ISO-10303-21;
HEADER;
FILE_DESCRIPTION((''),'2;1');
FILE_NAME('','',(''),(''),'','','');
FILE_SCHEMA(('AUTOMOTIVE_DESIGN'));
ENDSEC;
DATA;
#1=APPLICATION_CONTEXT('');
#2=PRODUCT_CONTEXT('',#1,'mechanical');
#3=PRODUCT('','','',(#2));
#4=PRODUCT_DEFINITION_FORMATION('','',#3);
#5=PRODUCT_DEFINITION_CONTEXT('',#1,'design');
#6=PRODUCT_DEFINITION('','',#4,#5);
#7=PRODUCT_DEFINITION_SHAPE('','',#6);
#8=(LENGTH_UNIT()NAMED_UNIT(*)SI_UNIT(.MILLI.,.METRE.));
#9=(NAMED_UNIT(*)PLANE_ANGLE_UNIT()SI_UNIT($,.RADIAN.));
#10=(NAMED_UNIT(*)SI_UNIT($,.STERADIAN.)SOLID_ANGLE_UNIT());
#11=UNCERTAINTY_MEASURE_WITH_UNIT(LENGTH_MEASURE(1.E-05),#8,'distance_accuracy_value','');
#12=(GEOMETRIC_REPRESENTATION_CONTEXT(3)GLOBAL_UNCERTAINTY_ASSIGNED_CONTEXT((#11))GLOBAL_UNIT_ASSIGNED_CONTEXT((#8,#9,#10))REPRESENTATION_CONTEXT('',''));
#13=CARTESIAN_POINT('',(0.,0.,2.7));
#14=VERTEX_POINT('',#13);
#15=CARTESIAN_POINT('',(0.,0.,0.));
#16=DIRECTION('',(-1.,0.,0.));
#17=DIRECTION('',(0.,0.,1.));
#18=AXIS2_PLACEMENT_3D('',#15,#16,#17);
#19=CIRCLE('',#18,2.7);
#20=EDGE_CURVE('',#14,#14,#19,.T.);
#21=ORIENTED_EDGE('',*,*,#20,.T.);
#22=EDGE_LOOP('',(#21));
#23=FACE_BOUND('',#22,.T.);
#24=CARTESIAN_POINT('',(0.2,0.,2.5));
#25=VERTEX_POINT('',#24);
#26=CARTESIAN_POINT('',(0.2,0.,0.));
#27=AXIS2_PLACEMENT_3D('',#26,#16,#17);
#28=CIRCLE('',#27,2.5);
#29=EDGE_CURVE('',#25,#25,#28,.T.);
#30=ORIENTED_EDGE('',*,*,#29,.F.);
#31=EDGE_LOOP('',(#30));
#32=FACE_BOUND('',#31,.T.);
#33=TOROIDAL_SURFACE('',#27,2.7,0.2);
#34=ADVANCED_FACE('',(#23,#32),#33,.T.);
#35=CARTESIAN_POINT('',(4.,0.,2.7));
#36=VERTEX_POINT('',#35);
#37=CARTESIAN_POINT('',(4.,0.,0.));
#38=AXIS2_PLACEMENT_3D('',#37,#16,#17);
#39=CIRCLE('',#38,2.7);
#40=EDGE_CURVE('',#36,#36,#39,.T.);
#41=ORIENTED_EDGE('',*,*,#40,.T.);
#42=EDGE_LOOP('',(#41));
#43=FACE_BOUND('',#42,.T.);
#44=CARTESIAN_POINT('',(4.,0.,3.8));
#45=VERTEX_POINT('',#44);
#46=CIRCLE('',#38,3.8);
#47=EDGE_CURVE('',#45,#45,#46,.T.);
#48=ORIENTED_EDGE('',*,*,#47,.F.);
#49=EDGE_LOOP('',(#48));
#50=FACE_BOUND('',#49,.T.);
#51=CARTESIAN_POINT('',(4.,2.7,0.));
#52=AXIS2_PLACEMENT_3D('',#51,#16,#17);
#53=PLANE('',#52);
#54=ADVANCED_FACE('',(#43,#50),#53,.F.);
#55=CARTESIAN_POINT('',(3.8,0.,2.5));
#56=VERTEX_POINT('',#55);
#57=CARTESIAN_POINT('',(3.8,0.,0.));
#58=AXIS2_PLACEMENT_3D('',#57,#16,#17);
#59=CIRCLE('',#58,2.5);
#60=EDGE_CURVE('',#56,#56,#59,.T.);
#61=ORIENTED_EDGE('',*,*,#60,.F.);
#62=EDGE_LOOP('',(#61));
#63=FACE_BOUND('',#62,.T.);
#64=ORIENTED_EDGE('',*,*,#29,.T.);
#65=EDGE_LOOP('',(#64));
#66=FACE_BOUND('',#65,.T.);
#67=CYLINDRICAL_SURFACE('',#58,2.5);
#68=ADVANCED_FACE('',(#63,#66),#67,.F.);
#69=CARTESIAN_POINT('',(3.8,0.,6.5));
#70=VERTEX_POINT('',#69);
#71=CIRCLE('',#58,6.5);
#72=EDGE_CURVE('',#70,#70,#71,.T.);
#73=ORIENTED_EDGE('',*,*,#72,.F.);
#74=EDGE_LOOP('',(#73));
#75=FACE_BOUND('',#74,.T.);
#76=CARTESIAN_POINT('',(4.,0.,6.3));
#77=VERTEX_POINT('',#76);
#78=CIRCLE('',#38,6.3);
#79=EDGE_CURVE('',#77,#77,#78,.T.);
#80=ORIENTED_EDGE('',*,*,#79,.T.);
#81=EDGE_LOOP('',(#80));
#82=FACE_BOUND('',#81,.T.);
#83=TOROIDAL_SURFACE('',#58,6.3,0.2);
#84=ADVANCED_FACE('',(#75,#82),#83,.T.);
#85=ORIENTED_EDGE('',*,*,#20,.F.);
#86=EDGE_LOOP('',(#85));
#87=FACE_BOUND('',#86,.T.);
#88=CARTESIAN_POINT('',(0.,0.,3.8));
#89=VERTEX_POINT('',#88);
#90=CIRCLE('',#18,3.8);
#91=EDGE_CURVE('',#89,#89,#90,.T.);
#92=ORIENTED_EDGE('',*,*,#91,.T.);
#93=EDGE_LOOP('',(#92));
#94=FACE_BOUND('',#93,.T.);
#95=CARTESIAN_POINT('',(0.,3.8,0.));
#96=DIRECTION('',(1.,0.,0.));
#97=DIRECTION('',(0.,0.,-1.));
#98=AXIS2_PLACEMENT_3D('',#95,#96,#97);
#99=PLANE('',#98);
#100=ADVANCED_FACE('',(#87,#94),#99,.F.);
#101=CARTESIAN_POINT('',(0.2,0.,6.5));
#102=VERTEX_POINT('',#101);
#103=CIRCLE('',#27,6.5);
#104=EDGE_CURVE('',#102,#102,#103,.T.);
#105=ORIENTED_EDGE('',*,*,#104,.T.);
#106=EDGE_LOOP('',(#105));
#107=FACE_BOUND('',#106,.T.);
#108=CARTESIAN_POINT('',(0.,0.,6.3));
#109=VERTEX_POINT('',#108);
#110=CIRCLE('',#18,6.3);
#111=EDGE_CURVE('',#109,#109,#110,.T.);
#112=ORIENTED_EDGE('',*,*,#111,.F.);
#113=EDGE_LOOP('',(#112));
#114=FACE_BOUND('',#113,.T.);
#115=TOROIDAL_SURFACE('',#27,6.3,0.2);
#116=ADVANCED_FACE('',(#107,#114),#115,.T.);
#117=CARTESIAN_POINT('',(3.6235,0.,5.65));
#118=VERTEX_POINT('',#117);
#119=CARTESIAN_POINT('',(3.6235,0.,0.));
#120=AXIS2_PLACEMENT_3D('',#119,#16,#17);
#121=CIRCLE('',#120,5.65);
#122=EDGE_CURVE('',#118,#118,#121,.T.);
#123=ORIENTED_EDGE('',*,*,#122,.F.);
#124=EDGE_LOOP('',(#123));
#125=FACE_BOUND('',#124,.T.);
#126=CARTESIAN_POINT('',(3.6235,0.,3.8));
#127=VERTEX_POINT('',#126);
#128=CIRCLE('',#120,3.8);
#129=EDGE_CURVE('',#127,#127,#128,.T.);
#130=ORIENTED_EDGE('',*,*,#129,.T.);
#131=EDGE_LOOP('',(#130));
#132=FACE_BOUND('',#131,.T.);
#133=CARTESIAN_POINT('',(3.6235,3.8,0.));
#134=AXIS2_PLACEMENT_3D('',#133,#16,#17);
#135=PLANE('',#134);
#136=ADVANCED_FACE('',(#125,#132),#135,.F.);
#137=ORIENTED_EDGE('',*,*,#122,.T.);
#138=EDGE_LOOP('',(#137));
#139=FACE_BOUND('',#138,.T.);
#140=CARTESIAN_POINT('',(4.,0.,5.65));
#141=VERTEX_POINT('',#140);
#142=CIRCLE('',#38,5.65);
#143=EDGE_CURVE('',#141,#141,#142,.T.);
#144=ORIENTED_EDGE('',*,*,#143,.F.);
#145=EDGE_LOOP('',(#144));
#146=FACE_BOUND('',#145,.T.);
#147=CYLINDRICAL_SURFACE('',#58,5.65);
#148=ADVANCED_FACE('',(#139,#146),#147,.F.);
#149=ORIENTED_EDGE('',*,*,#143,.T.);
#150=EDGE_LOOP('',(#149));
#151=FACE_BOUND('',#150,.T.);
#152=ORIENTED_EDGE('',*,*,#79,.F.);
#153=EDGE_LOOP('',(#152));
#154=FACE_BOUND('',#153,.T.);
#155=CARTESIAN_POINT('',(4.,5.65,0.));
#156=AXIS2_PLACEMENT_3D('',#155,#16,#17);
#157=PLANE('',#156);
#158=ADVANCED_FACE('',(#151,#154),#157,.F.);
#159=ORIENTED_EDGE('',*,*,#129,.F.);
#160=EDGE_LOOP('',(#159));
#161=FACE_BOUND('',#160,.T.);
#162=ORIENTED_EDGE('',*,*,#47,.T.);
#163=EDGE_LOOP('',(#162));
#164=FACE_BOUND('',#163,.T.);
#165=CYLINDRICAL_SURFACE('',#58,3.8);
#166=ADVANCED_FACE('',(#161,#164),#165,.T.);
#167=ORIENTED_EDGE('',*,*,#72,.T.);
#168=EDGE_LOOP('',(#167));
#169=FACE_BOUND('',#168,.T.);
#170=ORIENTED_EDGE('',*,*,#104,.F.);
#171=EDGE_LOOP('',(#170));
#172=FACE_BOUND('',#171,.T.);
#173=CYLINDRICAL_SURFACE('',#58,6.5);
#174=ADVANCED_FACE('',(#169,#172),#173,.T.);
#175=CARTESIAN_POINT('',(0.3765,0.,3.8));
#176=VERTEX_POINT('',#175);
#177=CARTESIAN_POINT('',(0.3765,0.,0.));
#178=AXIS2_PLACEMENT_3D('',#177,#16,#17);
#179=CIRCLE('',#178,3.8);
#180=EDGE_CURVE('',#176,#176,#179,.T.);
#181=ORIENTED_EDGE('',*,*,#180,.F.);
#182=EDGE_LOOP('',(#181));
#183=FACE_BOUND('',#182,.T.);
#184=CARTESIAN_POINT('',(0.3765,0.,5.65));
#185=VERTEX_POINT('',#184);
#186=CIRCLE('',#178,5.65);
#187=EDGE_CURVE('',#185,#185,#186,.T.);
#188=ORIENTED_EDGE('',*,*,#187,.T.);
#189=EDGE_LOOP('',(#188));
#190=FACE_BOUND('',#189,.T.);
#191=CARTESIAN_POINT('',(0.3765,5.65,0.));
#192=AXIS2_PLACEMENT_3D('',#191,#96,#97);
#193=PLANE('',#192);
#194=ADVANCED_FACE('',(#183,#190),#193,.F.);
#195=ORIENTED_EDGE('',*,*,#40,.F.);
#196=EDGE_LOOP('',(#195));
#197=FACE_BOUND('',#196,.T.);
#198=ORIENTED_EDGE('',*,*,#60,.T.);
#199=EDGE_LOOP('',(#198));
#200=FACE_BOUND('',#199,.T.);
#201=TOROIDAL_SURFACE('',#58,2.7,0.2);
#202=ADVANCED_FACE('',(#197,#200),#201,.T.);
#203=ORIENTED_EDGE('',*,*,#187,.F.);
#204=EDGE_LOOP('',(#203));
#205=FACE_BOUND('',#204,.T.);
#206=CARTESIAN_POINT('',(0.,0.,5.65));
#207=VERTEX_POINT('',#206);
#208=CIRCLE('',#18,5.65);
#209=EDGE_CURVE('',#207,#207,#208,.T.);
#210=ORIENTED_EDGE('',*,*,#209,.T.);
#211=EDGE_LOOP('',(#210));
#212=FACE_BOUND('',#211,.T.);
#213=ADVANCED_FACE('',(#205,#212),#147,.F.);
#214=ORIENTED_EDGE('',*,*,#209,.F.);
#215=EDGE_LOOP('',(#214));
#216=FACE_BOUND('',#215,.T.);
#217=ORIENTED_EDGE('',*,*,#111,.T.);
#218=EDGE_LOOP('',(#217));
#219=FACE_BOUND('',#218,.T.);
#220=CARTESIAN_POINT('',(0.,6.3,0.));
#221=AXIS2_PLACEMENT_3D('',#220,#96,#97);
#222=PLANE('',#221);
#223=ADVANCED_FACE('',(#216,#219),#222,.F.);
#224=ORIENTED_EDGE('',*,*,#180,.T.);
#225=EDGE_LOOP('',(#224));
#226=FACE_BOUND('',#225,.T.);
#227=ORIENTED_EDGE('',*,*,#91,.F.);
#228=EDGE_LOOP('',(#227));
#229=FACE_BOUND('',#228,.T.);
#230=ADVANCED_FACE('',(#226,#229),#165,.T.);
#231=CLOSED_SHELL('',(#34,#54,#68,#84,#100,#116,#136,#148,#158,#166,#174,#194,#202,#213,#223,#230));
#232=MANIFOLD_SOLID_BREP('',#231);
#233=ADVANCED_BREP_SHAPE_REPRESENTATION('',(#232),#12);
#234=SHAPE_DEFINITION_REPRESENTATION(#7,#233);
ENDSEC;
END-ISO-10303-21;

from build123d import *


with BuildPart() as part:
    # Sketch1 → Revolve1 (revolve)
    with BuildSketch(Plane.XY):
        with BuildLine():
            Line((0, 6.3), (0, 5.65))
            Line((0, 5.65), (0.3765, 5.65))
            Line((0.3765, 5.65), (0.3765, 3.8))
            Line((0.3765, 3.8), (0, 3.8))
            Line((0, 3.8), (0, 2.7))
            ThreePointArc((0, 2.7), (0.058578644, 2.558578644), (0.2, 2.5))
            Line((0.2, 2.5), (3.8, 2.5))
            ThreePointArc((3.8, 2.5), (3.941421356, 2.558578644), (4, 2.7))
            Line((4, 2.7), (4, 3.8))
            Line((4, 3.8), (3.6235, 3.8))
            Line((3.6235, 3.8), (3.6235, 5.65))
            Line((3.6235, 5.65), (4, 5.65))
            Line((4, 5.65), (4, 6.3))
            ThreePointArc((4, 6.3), (3.941421356, 6.441421356), (3.8, 6.5))
            Line((3.8, 6.5), (0.2, 6.5))
            ThreePointArc((0.2, 6.5), (0.058578644, 6.441421356), (0, 6.3))
        make_face()
    revolve(axis=Axis((3.8, 0, 0), (-1, 0, 0)))


solid = part.part
